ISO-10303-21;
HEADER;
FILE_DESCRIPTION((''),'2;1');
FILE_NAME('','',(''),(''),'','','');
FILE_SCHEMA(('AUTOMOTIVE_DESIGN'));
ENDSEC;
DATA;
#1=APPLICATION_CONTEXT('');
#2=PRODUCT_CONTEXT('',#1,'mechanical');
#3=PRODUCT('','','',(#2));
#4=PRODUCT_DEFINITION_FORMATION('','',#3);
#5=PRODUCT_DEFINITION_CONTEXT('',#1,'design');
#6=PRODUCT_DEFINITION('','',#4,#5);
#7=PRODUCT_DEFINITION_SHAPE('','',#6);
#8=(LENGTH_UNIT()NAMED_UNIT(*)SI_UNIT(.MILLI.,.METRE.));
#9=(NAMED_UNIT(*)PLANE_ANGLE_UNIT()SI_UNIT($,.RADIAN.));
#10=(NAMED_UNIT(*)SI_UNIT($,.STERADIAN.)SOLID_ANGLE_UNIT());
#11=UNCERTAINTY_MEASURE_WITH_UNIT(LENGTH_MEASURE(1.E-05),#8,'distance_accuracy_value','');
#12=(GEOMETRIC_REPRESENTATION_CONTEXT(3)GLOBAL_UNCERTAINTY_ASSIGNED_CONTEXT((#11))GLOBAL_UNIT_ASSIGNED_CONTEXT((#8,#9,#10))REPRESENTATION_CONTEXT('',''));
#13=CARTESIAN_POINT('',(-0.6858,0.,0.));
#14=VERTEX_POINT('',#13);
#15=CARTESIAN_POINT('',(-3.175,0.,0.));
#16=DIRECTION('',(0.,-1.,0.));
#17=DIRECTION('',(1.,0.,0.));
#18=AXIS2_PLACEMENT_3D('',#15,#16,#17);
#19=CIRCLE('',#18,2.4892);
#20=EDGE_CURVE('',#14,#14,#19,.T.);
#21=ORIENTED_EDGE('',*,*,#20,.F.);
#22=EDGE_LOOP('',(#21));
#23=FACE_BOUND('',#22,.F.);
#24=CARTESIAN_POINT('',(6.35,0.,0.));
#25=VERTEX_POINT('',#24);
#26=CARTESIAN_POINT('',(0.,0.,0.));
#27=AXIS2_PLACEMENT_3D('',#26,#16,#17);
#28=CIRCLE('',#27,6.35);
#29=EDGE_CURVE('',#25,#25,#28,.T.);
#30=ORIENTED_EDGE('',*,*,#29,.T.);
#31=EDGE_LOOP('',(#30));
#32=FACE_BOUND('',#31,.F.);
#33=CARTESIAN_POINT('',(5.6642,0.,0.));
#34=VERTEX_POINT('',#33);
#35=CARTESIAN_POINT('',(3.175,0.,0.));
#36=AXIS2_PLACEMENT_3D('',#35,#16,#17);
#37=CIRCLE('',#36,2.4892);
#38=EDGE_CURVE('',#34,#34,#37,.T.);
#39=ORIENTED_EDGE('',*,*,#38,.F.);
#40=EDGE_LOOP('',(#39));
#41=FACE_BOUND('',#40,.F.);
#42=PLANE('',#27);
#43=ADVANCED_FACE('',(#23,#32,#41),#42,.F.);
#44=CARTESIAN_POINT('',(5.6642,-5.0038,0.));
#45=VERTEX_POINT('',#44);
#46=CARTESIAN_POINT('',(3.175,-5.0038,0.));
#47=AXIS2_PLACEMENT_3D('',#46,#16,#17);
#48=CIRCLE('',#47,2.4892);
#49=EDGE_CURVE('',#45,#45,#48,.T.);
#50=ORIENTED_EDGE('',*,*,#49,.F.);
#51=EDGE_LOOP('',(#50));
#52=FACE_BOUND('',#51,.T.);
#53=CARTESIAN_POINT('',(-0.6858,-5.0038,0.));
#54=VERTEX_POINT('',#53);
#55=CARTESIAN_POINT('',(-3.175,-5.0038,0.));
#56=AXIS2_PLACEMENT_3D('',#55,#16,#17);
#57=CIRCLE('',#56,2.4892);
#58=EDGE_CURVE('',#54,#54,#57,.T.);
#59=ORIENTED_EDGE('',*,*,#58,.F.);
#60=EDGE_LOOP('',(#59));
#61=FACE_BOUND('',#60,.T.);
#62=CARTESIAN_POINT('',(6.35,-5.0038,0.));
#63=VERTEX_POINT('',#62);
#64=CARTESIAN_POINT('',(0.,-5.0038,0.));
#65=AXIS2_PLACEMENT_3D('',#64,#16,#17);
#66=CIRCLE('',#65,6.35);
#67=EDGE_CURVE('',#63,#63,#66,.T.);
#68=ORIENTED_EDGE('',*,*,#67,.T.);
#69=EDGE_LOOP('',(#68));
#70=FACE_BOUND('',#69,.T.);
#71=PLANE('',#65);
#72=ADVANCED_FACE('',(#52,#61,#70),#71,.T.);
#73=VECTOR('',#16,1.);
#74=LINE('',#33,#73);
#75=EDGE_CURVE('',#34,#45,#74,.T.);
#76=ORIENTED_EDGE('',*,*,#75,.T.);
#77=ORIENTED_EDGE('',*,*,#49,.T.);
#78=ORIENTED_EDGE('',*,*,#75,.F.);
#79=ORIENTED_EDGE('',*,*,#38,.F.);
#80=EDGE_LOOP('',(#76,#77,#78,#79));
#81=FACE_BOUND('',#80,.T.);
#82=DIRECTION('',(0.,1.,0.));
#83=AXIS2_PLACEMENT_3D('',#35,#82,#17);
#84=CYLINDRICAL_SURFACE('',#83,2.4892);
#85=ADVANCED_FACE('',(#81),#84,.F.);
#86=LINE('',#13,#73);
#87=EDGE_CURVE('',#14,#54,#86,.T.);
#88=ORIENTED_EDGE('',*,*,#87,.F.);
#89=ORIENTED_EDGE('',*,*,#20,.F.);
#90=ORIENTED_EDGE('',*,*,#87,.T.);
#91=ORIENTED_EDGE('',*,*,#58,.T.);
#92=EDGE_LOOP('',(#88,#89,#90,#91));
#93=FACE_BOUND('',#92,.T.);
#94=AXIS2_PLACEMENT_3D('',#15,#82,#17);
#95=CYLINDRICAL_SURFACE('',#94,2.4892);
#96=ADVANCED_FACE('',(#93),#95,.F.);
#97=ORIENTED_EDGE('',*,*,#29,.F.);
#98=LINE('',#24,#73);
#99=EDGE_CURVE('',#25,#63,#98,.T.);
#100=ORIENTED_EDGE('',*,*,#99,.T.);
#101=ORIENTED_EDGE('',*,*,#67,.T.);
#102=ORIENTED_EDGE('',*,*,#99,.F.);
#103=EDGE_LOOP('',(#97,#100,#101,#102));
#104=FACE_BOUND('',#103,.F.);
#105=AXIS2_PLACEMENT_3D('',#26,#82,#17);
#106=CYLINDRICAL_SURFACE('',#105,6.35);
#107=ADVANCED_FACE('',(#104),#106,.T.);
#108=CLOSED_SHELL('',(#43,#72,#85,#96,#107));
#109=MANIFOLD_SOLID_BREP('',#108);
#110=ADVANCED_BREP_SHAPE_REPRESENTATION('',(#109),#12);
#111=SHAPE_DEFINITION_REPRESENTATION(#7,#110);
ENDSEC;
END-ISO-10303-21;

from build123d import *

# Parameters (mm, degrees)
F0_R     = 6.35
F0_R_2   = 2.4892
F1_DEPTH = 5.0038


with BuildPart() as f1:
    # F0 (on Front) → F1 (new body)
    with BuildSketch(Plane.XZ):
        Circle(F0_R)
        with Locations((-3.175, 0)):
            Circle(F0_R_2, mode=Mode.SUBTRACT)
        with Locations((3.175, 0)):
            Circle(F0_R_2, mode=Mode.SUBTRACT)
    extrude(amount=F1_DEPTH)


solid = f1.part
